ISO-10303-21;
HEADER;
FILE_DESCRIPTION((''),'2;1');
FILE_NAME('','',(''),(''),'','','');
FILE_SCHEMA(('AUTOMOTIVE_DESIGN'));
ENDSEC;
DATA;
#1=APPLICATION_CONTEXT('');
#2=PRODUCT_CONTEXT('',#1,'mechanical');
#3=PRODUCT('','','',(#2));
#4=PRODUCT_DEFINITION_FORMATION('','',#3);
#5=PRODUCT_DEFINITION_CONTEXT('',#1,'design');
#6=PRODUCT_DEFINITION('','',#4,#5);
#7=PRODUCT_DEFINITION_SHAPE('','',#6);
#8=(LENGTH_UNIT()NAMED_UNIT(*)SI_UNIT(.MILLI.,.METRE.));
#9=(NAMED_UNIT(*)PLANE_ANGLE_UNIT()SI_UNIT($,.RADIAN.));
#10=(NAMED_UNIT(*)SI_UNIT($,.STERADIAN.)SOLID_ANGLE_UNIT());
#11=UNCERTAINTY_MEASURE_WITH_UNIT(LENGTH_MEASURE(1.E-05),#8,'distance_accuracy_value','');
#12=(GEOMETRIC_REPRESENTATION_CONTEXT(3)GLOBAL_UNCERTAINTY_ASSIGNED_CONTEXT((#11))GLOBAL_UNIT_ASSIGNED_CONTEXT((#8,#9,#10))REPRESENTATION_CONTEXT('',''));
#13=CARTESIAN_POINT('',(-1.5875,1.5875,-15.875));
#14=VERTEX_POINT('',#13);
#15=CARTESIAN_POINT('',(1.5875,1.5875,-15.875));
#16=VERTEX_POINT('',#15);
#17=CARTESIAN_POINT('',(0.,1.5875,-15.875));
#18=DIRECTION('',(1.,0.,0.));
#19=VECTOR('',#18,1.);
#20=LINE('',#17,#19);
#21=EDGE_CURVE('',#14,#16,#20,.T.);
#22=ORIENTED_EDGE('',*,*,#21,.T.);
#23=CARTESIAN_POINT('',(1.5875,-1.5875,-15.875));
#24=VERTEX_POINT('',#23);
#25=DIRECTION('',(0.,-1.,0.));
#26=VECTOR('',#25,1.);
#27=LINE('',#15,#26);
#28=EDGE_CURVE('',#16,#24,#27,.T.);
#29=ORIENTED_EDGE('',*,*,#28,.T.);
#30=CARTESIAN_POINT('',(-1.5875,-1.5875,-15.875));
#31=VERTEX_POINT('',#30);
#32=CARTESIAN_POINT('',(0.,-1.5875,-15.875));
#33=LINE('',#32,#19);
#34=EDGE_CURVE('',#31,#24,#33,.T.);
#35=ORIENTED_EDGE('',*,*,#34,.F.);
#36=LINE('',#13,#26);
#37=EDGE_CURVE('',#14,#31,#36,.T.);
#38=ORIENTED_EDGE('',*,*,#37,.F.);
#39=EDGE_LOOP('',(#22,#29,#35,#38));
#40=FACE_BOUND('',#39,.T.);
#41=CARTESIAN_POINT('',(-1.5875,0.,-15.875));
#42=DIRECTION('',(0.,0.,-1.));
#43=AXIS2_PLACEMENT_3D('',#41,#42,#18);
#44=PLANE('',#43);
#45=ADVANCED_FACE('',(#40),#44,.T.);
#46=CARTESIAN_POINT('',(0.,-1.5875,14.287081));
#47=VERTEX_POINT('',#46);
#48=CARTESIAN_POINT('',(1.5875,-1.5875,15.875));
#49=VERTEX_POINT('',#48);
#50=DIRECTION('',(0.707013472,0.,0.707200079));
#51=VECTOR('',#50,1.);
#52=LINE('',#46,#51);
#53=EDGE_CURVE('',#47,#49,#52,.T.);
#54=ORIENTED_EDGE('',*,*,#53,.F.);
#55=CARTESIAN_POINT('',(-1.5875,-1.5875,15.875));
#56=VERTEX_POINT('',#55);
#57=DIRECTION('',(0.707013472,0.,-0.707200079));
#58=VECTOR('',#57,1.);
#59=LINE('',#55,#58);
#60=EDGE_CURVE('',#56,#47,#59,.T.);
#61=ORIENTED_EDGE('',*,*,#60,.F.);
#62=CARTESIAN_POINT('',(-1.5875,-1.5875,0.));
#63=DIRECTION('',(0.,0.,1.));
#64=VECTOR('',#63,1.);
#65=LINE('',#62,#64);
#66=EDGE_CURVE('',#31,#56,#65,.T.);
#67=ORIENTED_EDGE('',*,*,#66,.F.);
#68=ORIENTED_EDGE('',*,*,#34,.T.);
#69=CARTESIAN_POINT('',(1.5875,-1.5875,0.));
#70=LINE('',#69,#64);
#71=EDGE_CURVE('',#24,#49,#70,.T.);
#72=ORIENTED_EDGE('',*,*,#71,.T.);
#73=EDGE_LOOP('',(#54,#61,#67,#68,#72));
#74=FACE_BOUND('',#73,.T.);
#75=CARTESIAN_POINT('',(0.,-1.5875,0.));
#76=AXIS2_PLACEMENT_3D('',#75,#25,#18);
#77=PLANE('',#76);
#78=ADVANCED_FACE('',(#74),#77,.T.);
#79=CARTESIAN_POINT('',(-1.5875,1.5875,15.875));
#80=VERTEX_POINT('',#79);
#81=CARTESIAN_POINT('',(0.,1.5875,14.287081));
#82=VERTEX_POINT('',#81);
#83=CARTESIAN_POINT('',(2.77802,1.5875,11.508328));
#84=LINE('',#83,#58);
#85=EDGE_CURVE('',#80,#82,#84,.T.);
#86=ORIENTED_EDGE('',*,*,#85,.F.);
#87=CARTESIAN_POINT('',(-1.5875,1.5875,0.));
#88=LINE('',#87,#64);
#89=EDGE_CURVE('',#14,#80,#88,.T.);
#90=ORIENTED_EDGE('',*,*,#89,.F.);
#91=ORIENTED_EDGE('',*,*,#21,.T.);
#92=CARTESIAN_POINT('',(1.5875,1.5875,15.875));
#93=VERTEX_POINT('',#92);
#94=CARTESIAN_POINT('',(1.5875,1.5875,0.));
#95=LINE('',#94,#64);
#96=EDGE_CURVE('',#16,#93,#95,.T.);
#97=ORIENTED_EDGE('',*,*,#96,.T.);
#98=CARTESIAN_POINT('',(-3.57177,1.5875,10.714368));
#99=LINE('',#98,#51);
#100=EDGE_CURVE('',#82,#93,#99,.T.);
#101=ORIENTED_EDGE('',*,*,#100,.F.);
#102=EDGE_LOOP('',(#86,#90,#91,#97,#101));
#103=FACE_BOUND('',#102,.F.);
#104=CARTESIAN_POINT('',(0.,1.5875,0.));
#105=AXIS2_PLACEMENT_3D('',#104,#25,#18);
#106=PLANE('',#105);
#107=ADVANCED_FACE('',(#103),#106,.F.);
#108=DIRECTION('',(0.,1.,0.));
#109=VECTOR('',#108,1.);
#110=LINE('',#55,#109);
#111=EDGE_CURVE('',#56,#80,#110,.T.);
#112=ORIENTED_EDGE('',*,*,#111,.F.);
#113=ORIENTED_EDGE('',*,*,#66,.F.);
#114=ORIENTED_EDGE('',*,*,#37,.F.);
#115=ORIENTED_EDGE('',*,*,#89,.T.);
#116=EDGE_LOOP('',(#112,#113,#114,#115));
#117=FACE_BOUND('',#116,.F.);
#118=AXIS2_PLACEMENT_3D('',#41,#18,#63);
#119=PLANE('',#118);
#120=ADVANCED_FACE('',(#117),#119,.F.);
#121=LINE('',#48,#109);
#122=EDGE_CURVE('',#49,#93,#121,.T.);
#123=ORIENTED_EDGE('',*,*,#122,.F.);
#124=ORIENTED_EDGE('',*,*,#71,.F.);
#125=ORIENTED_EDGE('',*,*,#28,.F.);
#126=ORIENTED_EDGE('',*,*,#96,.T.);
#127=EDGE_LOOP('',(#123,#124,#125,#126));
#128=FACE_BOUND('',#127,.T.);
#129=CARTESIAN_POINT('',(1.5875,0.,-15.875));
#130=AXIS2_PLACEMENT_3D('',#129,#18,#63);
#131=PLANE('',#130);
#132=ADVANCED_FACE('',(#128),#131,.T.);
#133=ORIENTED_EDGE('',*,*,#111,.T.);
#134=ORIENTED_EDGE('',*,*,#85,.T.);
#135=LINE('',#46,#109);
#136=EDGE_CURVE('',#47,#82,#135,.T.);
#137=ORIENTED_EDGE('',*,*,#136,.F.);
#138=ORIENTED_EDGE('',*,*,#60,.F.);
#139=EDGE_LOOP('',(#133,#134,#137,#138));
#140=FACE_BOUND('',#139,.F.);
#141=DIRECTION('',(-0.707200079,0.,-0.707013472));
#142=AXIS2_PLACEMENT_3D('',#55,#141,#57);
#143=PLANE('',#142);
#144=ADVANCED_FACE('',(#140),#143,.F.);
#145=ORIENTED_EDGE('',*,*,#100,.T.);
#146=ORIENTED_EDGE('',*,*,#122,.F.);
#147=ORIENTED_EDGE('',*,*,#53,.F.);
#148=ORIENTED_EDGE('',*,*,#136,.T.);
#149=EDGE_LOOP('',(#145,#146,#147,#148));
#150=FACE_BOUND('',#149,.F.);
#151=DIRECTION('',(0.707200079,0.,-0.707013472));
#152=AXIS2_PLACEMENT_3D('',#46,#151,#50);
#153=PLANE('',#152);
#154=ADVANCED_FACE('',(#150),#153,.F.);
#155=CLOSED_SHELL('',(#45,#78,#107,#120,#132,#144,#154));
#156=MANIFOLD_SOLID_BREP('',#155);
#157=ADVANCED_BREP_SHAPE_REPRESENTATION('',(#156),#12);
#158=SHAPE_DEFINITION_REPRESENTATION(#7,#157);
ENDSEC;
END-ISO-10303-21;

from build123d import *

# Parameters (mm, degrees)
F0_W     = 3.175
F0_H     = 31.75
F1_DEPTH = 1.5875
F3_DEPTH = 3.176


with BuildPart() as f1:
    # F0 (on Front) → F1 (new body, symmetric)
    with BuildSketch(Plane.XZ):
        Rectangle(F0_W, F0_H)
    extrude(amount=F1_DEPTH, both=True)

    # F2 (on face) → F3 (cut, through all)
    with BuildSketch(Plane.XZ.offset(1.5875)):
        Polygon((1.5875, 15.875), (-1.5875, 15.875), (0, 14.287081), align=None)
    extrude(amount=-F3_DEPTH, mode=Mode.SUBTRACT)


solid = f1.part
